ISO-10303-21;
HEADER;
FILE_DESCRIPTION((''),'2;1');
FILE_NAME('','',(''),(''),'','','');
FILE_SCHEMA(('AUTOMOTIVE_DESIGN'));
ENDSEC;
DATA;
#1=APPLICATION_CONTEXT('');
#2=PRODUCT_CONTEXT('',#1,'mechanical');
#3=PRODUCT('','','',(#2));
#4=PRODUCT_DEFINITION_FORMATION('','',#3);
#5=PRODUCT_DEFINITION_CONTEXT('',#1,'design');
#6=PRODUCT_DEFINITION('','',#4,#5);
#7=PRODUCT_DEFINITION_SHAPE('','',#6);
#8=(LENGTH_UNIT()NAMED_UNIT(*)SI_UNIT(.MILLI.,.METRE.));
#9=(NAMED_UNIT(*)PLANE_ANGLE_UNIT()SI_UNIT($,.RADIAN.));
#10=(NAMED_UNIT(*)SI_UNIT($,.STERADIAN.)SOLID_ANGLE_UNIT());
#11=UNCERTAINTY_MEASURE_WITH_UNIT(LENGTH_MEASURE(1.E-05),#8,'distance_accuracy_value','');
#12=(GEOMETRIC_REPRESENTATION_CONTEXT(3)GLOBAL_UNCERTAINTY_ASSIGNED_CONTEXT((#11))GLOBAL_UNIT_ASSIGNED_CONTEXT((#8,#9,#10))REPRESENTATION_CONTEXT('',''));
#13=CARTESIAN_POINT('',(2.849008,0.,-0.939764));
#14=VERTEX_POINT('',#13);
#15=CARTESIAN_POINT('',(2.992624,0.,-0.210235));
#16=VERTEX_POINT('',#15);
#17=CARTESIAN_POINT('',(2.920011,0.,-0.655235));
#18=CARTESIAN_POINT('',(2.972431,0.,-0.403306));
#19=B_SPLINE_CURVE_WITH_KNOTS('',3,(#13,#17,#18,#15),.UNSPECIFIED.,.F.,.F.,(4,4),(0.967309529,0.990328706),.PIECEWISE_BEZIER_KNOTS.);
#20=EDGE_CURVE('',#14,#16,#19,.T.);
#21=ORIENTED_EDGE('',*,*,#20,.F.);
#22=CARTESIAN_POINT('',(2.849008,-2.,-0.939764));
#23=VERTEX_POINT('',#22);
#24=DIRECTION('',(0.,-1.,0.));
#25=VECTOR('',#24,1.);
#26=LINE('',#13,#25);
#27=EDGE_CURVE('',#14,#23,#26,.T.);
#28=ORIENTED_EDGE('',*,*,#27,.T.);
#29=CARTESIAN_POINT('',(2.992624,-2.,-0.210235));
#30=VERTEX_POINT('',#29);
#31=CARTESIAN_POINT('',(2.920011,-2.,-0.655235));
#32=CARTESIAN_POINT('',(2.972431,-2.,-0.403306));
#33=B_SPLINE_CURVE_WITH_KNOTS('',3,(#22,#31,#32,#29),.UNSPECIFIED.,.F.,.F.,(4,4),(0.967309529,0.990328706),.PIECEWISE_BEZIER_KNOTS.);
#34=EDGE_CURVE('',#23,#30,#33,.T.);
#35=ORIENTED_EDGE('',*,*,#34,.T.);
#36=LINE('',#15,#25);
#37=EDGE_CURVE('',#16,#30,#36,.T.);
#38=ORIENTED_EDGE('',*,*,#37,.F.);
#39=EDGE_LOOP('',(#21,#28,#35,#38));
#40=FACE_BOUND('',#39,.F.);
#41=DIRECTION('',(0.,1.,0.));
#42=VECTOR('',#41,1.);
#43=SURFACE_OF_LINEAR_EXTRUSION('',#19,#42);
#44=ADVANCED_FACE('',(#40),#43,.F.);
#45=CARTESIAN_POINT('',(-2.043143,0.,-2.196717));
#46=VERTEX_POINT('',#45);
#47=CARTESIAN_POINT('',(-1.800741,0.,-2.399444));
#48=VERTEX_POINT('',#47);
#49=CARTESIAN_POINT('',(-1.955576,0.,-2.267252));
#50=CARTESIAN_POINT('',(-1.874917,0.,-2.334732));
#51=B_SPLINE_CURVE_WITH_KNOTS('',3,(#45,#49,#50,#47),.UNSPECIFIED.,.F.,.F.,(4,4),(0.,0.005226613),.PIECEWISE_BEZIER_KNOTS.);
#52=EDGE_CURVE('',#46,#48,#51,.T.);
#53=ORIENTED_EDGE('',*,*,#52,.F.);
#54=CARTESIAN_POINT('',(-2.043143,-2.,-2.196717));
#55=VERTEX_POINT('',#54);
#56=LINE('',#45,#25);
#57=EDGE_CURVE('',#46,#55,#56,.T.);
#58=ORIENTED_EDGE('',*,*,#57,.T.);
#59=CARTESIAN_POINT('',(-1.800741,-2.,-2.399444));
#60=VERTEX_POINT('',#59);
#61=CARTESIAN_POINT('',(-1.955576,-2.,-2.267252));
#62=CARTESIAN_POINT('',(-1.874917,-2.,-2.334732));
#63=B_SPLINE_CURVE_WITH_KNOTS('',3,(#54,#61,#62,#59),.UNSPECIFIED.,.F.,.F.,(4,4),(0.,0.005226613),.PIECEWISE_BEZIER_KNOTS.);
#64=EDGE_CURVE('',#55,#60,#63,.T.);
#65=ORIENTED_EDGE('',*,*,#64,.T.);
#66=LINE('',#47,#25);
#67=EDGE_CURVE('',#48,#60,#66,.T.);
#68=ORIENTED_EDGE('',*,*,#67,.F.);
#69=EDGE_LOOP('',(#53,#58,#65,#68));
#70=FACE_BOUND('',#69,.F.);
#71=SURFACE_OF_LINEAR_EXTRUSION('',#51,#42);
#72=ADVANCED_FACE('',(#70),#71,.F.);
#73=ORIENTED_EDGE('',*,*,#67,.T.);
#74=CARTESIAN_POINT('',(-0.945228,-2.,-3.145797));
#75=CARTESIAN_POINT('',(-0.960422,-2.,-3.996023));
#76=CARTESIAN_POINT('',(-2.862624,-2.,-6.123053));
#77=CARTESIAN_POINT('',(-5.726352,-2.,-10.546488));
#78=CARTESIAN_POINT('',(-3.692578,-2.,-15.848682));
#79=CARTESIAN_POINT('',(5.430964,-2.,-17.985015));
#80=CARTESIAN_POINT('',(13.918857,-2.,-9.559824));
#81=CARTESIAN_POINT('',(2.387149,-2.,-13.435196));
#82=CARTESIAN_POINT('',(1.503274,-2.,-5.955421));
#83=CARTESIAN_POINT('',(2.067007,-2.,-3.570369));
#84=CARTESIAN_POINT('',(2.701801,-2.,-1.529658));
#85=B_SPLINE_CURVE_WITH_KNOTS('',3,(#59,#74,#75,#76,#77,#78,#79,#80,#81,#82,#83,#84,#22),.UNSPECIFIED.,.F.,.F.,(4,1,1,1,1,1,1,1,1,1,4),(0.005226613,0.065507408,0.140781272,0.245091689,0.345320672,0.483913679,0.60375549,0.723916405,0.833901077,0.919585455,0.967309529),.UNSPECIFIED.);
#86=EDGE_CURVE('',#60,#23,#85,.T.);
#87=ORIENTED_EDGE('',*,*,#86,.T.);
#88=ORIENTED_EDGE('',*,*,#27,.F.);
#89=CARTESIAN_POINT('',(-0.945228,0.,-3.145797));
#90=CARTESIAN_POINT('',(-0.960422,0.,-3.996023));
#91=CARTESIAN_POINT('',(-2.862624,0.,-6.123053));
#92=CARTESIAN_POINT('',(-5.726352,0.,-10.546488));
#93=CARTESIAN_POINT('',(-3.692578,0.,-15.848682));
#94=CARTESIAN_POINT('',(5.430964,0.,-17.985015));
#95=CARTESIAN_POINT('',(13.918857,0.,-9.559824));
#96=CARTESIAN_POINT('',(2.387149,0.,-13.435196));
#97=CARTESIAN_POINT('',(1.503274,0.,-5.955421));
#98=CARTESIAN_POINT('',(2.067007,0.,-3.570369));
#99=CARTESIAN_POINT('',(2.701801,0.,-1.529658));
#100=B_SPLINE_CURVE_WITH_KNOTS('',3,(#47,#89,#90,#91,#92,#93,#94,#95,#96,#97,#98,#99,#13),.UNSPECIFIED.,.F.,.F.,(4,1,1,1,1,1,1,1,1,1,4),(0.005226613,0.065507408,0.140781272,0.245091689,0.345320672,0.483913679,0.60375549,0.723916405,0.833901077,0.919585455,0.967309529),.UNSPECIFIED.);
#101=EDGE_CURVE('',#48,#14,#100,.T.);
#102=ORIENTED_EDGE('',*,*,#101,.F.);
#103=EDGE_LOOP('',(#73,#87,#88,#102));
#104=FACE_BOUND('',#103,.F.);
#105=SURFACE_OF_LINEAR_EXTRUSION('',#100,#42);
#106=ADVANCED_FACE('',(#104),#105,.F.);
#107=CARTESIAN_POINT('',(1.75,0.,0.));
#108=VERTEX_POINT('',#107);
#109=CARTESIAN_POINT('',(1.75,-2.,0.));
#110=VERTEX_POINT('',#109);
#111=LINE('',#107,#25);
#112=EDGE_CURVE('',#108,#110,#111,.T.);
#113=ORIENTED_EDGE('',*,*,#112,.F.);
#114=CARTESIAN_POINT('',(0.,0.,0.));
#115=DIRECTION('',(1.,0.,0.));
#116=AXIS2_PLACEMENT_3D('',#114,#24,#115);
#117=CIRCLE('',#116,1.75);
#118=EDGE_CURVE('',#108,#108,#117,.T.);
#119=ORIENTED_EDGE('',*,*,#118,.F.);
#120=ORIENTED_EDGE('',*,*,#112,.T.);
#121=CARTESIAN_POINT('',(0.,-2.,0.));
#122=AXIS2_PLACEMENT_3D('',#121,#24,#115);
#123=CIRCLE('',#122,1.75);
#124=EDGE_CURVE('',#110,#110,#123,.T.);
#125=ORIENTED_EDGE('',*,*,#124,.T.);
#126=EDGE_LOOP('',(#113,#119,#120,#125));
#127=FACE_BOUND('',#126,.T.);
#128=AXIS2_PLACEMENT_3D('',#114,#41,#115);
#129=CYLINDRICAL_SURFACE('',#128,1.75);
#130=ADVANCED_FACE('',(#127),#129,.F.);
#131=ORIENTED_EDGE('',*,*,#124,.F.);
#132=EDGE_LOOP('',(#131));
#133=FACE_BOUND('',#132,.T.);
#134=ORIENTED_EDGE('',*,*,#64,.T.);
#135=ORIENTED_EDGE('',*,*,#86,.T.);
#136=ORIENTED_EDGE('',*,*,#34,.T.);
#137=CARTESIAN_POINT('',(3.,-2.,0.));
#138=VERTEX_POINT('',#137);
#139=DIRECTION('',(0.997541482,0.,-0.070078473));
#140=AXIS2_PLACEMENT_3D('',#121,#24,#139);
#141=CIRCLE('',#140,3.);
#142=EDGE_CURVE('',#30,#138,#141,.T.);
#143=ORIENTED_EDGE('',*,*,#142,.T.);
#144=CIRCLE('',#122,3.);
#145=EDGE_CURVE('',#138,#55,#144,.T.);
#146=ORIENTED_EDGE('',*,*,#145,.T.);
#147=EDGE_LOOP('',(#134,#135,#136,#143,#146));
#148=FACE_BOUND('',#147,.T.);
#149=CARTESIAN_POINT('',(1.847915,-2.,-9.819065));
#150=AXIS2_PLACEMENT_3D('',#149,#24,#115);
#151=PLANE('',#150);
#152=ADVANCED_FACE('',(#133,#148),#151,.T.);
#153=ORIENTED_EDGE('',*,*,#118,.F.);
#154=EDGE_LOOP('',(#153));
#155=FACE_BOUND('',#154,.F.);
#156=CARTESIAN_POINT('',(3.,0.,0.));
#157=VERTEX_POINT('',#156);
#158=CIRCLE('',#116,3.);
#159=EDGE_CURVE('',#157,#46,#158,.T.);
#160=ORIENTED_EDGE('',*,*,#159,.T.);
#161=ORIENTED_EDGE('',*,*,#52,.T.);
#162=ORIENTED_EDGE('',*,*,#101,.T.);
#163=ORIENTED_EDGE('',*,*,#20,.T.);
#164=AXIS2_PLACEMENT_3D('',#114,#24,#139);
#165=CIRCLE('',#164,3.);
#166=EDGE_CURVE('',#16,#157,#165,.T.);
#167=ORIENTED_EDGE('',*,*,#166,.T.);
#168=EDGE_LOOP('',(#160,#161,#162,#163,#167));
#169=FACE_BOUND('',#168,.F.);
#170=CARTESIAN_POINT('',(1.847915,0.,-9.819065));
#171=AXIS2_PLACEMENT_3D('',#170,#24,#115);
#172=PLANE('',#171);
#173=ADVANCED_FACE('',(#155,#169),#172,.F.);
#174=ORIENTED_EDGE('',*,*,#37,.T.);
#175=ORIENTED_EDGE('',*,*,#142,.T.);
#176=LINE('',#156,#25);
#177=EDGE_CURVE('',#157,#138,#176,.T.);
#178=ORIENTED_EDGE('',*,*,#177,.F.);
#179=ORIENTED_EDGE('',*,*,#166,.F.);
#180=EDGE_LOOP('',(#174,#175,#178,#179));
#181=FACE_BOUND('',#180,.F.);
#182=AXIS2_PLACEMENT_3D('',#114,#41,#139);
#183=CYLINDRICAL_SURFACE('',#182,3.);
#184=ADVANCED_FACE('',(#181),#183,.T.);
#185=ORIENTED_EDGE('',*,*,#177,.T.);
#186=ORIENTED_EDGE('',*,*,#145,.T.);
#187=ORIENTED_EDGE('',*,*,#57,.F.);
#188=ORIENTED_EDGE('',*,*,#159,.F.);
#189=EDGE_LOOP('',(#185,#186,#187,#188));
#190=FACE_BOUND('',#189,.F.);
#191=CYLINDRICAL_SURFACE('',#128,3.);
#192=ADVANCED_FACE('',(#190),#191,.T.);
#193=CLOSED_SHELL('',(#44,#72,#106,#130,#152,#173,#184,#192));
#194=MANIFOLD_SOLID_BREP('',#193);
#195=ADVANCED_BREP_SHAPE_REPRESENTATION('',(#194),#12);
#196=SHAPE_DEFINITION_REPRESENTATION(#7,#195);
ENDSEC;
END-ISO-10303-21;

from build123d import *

# Parameters (mm, degrees)
F0_R     = 1.75
F1_DEPTH = 2


with BuildPart() as f1:
    # F0 (on Front) → F1 (new body)
    with BuildSketch(Plane.XZ):
        with BuildLine():
            ThreePointArc((2.8490075742, -0.9397637162), (0.8985448588, -2.8622748185), (-1.8007405561, -2.3994444044))
            add(Edge.make_bspline(
                [(-1.8007405561, -2.3994444044), (-0.9452284751, -3.1457969534), (-0.960421793, -3.996023364), (-2.8626241773, -6.1230530504), (-5.7263520294, -10.5464879343), (-3.6925784715, -15.8486819474), (5.4309639779, -17.9850150948), (13.9188565768, -9.5598243431), (2.3871493985, -13.4351961014), (1.5032738331, -5.9554206683), (2.0670067286, -3.5703690445), (2.7018011548, -1.5296581325), (2.8490075742, -0.9397637162)],
                knots=[0.0052266126, 0.0052266126, 0.0052266126, 0.0052266126, 0.0655074081, 0.1407812722, 0.2450916889, 0.3453206718, 0.4839136788, 0.6037554904, 0.7239164047, 0.8339010766, 0.9195854551, 0.9673095292, 0.9673095292, 0.9673095292, 0.9673095292], degree=3))
        make_face()
        with BuildLine():
            ThreePointArc((2.9926244451, -0.2102354171), (2.9981555443, -0.1051823766), (3, 0))
            ThreePointArc((3, 0), (-1.1980341415, 2.7504025516), (-2.0431427972, -2.1967174398))
            add(Edge.make_bspline(
                [(-2.0431427972, -2.1967174398), (-1.955576188, -2.267251799), (-1.8749172514, -2.3347323251), (-1.8007405561, -2.3994444044)],
                knots=[0, 0, 0, 0, 0.0052266126, 0.0052266126, 0.0052266126, 0.0052266126], degree=3))
            ThreePointArc((-1.8007405561, -2.3994444044), (0.8985448588, -2.8622748185), (2.8490075742, -0.9397637162))
            add(Edge.make_bspline(
                [(2.8490075742, -0.9397637162), (2.9200109555, -0.6552346966), (2.972430664, -0.4033063563), (2.9926244451, -0.2102354171)],
                knots=[0.9673095292, 0.9673095292, 0.9673095292, 0.9673095292, 0.9903287062, 0.9903287062, 0.9903287062, 0.9903287062], degree=3))
        make_face()
        Circle(F0_R, mode=Mode.SUBTRACT)
    extrude(amount=F1_DEPTH)


solid = f1.part
